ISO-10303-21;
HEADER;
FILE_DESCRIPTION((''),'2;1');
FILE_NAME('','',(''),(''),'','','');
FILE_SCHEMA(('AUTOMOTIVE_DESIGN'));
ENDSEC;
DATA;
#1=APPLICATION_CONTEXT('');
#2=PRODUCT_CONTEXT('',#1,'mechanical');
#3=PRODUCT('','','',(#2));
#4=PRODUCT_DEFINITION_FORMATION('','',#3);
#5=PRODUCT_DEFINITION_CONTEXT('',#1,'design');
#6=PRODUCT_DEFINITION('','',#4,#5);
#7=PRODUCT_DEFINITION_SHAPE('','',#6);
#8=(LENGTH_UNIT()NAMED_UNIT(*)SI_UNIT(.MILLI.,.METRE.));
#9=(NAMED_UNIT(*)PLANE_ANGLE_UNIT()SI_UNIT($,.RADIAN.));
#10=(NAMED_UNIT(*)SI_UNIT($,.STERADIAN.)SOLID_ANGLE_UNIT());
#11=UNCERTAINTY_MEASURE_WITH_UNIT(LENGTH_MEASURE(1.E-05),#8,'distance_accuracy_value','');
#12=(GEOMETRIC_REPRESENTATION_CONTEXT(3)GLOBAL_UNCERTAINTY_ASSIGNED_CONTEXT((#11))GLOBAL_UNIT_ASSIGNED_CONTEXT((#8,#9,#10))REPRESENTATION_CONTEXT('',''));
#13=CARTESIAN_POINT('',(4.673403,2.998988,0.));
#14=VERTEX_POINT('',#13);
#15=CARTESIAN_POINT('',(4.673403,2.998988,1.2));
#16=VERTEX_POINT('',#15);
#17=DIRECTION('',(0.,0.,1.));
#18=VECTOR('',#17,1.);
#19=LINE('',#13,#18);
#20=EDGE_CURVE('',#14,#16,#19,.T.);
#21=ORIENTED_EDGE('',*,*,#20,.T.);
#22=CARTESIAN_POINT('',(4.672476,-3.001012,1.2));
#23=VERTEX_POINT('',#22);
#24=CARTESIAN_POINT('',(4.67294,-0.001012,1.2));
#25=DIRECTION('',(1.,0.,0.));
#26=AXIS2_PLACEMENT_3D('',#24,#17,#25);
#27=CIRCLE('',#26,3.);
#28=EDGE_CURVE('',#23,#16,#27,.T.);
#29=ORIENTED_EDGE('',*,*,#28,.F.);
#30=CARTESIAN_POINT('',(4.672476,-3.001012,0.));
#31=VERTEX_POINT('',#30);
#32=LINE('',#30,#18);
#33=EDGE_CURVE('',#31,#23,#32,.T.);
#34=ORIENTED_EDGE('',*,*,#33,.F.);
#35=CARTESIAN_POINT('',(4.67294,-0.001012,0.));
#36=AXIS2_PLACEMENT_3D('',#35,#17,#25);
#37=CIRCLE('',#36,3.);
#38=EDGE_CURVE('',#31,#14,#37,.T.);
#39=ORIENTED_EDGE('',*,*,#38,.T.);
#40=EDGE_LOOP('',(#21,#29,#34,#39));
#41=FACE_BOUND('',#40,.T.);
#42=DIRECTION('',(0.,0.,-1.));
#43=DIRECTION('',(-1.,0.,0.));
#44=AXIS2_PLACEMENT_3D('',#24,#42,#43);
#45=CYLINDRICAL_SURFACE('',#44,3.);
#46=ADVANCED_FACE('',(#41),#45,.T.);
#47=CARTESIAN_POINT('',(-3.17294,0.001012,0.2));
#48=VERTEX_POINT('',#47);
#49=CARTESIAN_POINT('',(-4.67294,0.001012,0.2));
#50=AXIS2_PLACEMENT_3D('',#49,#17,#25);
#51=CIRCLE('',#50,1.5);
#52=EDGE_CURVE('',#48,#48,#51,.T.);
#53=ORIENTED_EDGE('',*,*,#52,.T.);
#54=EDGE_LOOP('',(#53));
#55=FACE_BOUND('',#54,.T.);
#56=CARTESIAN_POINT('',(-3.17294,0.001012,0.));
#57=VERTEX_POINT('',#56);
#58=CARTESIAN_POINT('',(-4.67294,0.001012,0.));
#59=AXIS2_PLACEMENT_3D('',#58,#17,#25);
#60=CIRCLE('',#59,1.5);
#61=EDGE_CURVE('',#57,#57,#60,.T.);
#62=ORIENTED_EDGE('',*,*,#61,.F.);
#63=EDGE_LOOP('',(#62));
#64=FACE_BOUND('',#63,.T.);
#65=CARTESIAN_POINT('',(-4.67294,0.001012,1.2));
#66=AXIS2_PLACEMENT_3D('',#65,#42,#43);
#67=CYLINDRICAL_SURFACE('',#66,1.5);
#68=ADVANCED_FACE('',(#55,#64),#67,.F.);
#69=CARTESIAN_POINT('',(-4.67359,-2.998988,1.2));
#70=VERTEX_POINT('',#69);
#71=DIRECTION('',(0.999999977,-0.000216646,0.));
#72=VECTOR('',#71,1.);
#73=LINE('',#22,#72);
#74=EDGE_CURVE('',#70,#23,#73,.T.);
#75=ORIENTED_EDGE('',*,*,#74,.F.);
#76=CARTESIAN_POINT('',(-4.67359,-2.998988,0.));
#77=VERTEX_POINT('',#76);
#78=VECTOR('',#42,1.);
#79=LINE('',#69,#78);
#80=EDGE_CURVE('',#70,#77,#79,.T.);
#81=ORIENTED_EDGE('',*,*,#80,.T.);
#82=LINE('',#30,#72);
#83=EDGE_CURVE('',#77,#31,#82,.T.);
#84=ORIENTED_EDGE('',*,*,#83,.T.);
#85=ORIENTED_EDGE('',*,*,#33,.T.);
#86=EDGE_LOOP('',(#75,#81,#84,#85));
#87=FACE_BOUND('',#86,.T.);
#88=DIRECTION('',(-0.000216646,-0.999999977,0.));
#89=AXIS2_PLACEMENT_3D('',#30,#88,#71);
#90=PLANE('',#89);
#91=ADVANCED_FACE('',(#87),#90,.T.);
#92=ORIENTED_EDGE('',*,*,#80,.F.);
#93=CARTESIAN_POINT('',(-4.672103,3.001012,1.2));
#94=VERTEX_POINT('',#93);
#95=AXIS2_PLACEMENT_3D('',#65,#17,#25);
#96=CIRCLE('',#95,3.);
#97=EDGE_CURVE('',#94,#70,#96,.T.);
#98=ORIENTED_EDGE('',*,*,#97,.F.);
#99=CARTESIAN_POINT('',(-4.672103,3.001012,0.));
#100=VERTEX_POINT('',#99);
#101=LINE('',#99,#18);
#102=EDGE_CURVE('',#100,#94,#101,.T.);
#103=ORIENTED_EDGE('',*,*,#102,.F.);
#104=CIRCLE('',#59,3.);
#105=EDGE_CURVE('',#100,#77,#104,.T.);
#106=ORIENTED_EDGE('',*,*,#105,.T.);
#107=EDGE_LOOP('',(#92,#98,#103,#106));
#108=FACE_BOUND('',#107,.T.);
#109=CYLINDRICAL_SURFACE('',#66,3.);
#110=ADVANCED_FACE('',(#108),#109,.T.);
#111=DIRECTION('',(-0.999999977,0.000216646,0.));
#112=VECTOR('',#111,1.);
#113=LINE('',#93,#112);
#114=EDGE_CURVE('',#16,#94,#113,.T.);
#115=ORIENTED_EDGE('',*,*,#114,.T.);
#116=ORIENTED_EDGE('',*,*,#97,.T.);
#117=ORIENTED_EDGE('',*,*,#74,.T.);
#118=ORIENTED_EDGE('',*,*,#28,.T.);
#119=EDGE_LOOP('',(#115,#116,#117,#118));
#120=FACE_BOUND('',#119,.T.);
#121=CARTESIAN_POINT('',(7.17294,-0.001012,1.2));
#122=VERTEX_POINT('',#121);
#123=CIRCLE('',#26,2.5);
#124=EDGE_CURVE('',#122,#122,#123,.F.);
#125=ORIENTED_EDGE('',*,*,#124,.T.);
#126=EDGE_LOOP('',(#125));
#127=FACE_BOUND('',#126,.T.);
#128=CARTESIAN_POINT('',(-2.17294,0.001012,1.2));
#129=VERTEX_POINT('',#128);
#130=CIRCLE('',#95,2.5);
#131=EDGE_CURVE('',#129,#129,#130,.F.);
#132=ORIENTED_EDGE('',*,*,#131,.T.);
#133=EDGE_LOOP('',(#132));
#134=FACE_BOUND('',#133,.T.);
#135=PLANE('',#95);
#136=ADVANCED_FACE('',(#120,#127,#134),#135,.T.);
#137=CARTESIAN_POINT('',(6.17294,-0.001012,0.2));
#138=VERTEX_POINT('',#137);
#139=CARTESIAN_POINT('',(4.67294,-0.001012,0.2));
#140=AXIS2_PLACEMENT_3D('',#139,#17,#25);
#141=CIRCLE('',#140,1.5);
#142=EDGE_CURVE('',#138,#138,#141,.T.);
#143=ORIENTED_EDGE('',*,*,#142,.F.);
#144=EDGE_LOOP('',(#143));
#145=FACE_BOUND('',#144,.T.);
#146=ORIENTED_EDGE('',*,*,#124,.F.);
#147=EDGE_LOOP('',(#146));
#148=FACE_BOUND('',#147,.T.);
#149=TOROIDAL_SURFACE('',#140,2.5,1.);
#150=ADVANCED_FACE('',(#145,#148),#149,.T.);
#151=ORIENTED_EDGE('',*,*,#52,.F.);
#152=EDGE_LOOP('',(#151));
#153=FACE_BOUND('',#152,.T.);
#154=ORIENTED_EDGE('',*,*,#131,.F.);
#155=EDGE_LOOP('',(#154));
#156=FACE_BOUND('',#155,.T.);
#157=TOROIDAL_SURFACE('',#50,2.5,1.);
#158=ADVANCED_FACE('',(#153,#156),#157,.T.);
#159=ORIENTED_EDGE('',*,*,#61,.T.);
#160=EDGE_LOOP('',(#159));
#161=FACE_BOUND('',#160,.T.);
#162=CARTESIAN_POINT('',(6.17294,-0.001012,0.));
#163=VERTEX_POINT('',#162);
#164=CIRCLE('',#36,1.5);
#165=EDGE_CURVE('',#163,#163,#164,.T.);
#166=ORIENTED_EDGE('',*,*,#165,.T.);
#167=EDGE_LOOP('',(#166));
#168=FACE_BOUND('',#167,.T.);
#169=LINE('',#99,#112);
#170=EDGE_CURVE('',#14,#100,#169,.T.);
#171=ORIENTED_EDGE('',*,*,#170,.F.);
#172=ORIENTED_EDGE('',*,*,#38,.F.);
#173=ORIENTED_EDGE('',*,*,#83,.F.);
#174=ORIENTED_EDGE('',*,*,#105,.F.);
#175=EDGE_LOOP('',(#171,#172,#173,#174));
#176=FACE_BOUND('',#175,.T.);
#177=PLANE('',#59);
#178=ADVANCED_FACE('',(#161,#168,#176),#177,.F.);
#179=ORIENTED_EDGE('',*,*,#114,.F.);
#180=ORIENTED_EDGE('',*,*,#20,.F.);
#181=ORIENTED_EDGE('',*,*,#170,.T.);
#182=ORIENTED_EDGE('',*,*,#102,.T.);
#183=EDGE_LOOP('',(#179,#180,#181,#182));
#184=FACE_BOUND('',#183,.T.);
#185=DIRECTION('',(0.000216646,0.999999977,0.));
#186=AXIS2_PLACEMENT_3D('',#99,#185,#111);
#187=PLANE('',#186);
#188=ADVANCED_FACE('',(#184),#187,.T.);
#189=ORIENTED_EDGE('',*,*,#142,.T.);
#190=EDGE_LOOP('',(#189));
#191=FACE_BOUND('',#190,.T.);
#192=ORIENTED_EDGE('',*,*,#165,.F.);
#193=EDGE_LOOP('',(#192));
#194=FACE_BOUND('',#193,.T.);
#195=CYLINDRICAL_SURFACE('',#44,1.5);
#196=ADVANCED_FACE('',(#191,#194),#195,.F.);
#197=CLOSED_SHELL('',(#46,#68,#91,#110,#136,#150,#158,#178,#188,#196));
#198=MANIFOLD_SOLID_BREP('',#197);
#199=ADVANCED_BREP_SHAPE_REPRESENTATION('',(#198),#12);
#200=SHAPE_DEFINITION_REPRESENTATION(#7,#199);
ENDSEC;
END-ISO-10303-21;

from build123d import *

# Parameters (mm, degrees)
SKETCH_1_R        = 3
SKETCH_1_R_2      = 1.5
EXTRUDE_1_DEPTH   = 1.2
EXTRUDE_1_2_DEPTH = 1.2
EXTRUDE_2_DEPTH   = 1.2
FILLET_1_R        = 1


with BuildPart() as part:
    # Sketch 1 → Extrude 1 (new body)
    with BuildSketch(Plane.XY):
        with Locations((-4.672939719, 0.001012373)):
            Circle(SKETCH_1_R)
        with Locations((-4.672939719, 0.001012373)):
            Circle(SKETCH_1_R_2, mode=Mode.SUBTRACT)
    extrude(amount=EXTRUDE_1_DEPTH)



with BuildPart() as body_2:
    # Sketch 1 → Extrude 1 2 (new body)
    with BuildSketch(Plane.XY):
        with Locations((4.672939719, -0.001012373)):
            Circle(SKETCH_1_R)
        with Locations((4.672939719, -0.001012373)):
            Circle(SKETCH_1_R_2, mode=Mode.SUBTRACT)
    extrude(amount=EXTRUDE_1_2_DEPTH)


with BuildPart() as part_1:
    add(part.part)

    add(body_2.part)  # Extrude 2 merges body 2
    # Sketch 2 → Extrude 2 (add)
    with BuildSketch(Plane.XY.offset(1.2)):
        Polygon((-4.672103484, 3.001012257), (4.673403359, 2.998987591), (1.672939725, -0.001203708), (4.672476078, -3.001012337), (-4.673775953, -2.99898751), (-1.672939772, 0.001576302), align=None)
    extrude(amount=-EXTRUDE_2_DEPTH)

    # Fillet 1
    fillet_1_edges = [part_1.edges().sort_by_distance(p)[0] for p in [
        (3.172939719, -0.001012373, 1.2),
        (-6.172939719, 0.001012373, 1.2),
    ]]
    fillet(fillet_1_edges, radius=FILLET_1_R)


solid = part_1.part
